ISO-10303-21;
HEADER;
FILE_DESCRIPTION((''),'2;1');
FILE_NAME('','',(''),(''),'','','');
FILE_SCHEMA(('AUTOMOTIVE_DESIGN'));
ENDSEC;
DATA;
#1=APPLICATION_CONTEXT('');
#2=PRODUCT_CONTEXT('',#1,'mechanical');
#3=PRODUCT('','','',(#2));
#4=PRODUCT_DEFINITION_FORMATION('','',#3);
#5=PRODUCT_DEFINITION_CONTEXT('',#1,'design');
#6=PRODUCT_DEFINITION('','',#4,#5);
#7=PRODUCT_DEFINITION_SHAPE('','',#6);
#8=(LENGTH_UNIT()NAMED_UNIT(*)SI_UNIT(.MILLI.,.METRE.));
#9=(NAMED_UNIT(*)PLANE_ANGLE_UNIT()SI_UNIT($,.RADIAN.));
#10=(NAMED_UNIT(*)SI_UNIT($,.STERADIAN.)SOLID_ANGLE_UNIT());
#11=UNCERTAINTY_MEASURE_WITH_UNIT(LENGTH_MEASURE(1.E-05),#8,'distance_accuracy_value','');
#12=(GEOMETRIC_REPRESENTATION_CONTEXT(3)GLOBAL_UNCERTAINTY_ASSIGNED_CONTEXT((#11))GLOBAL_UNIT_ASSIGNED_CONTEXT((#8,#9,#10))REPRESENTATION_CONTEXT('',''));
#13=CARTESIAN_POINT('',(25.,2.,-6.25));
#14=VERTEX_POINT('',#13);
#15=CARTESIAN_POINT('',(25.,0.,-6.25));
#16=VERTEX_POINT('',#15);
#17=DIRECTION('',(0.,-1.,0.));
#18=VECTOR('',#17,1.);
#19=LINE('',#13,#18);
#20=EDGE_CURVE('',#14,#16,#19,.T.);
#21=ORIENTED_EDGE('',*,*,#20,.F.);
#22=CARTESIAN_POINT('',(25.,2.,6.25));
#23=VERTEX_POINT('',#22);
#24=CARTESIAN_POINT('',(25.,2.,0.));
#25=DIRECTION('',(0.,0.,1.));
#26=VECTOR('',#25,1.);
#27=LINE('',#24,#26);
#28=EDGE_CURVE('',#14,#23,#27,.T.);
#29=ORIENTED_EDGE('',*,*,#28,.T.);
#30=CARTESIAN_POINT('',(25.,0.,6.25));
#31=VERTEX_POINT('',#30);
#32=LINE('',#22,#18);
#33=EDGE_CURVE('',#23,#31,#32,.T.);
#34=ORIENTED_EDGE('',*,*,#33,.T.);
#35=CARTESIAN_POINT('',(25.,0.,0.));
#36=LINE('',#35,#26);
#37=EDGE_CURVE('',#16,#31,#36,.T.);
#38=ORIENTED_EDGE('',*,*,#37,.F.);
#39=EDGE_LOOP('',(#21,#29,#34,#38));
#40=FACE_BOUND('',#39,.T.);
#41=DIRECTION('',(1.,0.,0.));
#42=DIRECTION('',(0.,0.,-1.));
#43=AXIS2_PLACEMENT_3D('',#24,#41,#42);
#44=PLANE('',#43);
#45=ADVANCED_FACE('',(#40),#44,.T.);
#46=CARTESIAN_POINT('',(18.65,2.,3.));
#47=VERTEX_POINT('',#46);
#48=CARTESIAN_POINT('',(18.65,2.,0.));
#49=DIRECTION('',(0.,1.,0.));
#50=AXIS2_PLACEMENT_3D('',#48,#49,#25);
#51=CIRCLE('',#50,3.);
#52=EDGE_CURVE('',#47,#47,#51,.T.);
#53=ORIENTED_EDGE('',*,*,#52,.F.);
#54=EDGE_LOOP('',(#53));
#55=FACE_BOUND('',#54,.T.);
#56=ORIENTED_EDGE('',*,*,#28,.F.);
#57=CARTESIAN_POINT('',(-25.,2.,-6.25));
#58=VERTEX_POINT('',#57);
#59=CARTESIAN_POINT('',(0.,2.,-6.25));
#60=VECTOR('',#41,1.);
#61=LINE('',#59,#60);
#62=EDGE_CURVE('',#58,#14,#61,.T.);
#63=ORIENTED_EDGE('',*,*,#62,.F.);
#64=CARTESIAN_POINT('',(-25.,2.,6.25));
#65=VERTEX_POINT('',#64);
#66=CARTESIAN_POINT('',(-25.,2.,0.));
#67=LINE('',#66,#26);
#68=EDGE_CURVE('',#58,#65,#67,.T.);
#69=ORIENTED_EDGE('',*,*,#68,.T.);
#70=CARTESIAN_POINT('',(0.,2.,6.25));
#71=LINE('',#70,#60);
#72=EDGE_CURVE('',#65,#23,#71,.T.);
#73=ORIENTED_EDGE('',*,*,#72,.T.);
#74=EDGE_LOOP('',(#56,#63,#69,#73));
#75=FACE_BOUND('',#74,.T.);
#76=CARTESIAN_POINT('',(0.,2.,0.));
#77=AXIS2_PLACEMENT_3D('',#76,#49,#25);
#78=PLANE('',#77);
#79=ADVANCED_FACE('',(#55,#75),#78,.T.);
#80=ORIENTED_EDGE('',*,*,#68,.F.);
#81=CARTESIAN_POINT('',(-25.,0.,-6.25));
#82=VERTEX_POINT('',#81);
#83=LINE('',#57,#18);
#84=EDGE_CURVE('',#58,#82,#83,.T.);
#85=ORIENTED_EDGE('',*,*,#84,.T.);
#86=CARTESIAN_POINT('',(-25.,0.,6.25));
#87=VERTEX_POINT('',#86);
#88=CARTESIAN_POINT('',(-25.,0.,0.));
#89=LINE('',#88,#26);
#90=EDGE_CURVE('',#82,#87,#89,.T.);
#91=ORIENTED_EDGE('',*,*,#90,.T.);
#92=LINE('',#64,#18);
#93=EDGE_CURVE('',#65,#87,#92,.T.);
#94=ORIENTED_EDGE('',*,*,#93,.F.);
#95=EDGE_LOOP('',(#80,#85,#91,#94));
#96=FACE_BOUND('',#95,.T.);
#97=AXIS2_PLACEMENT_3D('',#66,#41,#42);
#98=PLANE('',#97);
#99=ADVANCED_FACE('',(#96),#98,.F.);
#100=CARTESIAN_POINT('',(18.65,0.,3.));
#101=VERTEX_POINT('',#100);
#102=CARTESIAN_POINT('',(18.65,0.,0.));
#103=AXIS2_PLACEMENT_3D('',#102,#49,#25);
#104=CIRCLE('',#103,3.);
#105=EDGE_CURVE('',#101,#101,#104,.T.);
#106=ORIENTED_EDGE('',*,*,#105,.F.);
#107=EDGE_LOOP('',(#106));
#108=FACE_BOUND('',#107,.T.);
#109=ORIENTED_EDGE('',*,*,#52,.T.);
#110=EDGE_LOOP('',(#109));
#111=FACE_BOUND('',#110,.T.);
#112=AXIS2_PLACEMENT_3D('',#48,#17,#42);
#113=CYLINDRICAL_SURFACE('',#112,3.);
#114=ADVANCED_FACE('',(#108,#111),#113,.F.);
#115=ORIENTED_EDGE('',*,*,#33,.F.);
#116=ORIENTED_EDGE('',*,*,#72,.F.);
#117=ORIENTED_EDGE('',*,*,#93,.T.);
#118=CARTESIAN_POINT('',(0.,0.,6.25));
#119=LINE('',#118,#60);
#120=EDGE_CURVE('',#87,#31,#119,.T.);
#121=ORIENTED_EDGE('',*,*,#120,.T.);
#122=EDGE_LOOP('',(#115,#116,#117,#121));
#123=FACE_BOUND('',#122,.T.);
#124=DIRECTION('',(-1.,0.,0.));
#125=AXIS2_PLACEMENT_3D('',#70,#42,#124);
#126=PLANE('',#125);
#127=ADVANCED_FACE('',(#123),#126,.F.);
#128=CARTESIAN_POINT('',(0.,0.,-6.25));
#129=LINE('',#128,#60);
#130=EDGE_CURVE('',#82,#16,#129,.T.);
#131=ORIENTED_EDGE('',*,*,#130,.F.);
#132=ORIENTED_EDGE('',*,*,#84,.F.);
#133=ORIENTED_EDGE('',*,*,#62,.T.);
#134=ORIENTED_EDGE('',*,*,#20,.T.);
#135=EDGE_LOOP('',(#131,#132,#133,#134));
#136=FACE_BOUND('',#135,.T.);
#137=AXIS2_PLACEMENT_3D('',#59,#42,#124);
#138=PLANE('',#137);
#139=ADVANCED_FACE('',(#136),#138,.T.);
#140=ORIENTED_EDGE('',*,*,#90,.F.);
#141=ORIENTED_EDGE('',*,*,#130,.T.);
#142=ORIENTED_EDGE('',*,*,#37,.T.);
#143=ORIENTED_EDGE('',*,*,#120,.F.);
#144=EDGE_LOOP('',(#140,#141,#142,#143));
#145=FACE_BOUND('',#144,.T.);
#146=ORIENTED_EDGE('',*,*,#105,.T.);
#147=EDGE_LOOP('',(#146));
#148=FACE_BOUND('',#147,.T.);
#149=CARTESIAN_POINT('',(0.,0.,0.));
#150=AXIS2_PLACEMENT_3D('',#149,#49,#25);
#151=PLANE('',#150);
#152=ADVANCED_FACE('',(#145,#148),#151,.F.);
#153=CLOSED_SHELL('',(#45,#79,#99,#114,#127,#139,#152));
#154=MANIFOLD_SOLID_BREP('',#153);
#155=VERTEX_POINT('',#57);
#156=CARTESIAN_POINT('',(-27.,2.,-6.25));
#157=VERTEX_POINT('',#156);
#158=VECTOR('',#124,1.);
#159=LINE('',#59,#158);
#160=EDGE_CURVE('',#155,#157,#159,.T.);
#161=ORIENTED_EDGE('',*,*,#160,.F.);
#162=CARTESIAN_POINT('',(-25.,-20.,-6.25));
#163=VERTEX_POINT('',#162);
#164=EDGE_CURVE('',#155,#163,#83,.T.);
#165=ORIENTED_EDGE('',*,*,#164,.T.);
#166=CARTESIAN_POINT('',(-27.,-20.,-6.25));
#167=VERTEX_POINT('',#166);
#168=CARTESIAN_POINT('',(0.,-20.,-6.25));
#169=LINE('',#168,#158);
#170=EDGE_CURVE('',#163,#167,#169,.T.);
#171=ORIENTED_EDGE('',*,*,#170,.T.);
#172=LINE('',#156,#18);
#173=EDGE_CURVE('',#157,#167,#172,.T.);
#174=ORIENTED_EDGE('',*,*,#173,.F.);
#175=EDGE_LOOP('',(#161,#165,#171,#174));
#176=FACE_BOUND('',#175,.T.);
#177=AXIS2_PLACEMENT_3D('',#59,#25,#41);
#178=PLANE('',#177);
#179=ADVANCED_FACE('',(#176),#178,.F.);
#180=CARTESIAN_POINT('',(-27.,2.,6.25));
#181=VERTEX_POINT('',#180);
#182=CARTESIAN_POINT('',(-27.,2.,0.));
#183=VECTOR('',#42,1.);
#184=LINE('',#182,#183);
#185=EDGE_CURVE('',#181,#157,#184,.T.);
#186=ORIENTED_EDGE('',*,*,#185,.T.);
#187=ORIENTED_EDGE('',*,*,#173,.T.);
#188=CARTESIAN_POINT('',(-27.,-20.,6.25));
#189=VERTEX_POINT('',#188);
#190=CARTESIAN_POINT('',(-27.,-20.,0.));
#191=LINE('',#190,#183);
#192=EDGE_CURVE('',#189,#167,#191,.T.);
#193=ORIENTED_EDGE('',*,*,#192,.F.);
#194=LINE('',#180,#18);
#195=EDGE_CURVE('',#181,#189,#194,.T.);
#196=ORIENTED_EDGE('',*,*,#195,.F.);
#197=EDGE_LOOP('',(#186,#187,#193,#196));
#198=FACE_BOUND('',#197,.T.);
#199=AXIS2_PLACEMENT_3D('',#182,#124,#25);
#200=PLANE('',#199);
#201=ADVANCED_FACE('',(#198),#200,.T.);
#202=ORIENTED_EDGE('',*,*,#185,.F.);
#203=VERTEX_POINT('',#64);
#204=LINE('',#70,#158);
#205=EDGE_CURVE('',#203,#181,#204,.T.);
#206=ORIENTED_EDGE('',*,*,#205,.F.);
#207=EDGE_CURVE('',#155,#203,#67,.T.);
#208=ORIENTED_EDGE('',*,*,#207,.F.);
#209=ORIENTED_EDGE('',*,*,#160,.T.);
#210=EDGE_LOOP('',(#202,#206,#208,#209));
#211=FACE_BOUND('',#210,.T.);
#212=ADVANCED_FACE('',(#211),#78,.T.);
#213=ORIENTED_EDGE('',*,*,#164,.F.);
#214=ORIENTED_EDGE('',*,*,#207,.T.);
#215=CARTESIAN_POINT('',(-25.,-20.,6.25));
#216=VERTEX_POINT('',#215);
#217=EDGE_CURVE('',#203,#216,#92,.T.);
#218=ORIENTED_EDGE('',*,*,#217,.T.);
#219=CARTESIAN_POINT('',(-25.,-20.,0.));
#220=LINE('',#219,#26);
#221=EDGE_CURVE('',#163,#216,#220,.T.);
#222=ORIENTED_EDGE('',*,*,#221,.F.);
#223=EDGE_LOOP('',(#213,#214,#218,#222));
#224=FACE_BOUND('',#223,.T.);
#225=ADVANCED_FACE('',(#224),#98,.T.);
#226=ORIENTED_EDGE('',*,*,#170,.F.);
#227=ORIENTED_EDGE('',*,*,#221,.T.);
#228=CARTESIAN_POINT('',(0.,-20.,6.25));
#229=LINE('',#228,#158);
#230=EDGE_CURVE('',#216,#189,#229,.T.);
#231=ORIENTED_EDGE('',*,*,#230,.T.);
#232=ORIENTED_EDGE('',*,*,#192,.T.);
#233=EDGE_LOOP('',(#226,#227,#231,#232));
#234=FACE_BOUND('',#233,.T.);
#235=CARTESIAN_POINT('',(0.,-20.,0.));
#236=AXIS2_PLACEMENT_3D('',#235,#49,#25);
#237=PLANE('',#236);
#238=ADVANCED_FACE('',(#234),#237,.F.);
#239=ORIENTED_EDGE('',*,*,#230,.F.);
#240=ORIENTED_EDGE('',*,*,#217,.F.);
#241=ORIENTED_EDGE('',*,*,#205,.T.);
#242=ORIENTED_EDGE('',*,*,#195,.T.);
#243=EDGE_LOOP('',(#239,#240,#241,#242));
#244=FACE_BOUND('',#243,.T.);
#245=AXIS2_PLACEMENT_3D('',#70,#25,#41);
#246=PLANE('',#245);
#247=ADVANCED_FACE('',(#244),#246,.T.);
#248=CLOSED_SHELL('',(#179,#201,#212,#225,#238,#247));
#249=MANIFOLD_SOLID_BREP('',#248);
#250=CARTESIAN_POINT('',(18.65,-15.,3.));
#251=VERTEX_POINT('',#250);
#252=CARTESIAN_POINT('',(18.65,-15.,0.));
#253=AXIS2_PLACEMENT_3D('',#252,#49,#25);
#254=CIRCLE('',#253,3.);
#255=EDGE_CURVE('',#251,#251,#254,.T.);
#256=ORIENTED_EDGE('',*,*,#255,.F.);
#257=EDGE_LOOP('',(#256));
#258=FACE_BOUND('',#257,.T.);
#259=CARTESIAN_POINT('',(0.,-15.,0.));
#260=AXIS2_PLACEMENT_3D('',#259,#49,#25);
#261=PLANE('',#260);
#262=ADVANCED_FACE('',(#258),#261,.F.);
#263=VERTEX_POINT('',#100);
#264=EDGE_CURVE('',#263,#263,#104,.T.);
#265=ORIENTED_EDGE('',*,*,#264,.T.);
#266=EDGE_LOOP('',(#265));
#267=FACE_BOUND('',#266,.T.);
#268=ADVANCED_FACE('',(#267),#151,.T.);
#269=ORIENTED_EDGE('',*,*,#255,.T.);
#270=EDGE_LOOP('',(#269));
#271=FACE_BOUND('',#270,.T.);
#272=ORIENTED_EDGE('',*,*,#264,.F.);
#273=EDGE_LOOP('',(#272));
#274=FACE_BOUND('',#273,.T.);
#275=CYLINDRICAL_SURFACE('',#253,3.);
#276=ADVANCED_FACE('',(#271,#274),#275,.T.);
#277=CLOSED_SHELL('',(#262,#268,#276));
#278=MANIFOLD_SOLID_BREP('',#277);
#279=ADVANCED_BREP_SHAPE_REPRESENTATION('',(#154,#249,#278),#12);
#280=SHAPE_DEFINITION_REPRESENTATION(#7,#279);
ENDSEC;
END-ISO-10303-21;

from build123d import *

# Parameters (mm, degrees)
BOSS_EXTRUDE6_DEPTH      = 2
BOSS_EXTRUDE6_DEPTH_BACK = 20
SKETCH1_W                = 2
SKETCH1_H                = 12.5
SKETCH1_4_W              = 50
SKETCH1_4_H              = 12.5
SKETCH1_4_R              = 3
BOSS_EXTRUDE7_DEPTH      = 2
SKETCH1_5_R              = 3
BOSS_EXTRUDE8_DEPTH      = 15


with BuildPart() as part:
    # Sketch1 → Boss-Extrude6 (new, two sides: drawn at the far end of the back side and taken through both)
    with BuildSketch(Plane(origin=(0, 0, 0), x_dir=(1, 0, 0), z_dir=(0, 1, 0)).offset(-BOSS_EXTRUDE6_DEPTH_BACK)):
        with Locations((-26, 0)):
            Rectangle(SKETCH1_W, SKETCH1_H)
    extrude(amount=BOSS_EXTRUDE6_DEPTH + BOSS_EXTRUDE6_DEPTH_BACK)


with BuildPart() as body_2:
    # Sketch1<4> → Boss-Extrude7 (new body)
    with BuildSketch(Plane(origin=(0, 0, 0), x_dir=(1, 0, 0), z_dir=(0, 1, 0))):
        Rectangle(SKETCH1_4_W, SKETCH1_4_H)
        with Locations((18.65, 0)):
            Circle(SKETCH1_4_R, mode=Mode.SUBTRACT)
    extrude(amount=BOSS_EXTRUDE7_DEPTH)


with BuildPart() as body_3:
    # Sketch1<5> → Boss-Extrude8 (new body)
    with BuildSketch(Plane(origin=(0, 0, 0), x_dir=(1, 0, 0), z_dir=(0, 1, 0))):
        with Locations((18.65, 0)):
            Circle(SKETCH1_5_R)
    extrude(amount=-BOSS_EXTRUDE8_DEPTH)


solid = Compound([part.part, body_2.part, body_3.part])
